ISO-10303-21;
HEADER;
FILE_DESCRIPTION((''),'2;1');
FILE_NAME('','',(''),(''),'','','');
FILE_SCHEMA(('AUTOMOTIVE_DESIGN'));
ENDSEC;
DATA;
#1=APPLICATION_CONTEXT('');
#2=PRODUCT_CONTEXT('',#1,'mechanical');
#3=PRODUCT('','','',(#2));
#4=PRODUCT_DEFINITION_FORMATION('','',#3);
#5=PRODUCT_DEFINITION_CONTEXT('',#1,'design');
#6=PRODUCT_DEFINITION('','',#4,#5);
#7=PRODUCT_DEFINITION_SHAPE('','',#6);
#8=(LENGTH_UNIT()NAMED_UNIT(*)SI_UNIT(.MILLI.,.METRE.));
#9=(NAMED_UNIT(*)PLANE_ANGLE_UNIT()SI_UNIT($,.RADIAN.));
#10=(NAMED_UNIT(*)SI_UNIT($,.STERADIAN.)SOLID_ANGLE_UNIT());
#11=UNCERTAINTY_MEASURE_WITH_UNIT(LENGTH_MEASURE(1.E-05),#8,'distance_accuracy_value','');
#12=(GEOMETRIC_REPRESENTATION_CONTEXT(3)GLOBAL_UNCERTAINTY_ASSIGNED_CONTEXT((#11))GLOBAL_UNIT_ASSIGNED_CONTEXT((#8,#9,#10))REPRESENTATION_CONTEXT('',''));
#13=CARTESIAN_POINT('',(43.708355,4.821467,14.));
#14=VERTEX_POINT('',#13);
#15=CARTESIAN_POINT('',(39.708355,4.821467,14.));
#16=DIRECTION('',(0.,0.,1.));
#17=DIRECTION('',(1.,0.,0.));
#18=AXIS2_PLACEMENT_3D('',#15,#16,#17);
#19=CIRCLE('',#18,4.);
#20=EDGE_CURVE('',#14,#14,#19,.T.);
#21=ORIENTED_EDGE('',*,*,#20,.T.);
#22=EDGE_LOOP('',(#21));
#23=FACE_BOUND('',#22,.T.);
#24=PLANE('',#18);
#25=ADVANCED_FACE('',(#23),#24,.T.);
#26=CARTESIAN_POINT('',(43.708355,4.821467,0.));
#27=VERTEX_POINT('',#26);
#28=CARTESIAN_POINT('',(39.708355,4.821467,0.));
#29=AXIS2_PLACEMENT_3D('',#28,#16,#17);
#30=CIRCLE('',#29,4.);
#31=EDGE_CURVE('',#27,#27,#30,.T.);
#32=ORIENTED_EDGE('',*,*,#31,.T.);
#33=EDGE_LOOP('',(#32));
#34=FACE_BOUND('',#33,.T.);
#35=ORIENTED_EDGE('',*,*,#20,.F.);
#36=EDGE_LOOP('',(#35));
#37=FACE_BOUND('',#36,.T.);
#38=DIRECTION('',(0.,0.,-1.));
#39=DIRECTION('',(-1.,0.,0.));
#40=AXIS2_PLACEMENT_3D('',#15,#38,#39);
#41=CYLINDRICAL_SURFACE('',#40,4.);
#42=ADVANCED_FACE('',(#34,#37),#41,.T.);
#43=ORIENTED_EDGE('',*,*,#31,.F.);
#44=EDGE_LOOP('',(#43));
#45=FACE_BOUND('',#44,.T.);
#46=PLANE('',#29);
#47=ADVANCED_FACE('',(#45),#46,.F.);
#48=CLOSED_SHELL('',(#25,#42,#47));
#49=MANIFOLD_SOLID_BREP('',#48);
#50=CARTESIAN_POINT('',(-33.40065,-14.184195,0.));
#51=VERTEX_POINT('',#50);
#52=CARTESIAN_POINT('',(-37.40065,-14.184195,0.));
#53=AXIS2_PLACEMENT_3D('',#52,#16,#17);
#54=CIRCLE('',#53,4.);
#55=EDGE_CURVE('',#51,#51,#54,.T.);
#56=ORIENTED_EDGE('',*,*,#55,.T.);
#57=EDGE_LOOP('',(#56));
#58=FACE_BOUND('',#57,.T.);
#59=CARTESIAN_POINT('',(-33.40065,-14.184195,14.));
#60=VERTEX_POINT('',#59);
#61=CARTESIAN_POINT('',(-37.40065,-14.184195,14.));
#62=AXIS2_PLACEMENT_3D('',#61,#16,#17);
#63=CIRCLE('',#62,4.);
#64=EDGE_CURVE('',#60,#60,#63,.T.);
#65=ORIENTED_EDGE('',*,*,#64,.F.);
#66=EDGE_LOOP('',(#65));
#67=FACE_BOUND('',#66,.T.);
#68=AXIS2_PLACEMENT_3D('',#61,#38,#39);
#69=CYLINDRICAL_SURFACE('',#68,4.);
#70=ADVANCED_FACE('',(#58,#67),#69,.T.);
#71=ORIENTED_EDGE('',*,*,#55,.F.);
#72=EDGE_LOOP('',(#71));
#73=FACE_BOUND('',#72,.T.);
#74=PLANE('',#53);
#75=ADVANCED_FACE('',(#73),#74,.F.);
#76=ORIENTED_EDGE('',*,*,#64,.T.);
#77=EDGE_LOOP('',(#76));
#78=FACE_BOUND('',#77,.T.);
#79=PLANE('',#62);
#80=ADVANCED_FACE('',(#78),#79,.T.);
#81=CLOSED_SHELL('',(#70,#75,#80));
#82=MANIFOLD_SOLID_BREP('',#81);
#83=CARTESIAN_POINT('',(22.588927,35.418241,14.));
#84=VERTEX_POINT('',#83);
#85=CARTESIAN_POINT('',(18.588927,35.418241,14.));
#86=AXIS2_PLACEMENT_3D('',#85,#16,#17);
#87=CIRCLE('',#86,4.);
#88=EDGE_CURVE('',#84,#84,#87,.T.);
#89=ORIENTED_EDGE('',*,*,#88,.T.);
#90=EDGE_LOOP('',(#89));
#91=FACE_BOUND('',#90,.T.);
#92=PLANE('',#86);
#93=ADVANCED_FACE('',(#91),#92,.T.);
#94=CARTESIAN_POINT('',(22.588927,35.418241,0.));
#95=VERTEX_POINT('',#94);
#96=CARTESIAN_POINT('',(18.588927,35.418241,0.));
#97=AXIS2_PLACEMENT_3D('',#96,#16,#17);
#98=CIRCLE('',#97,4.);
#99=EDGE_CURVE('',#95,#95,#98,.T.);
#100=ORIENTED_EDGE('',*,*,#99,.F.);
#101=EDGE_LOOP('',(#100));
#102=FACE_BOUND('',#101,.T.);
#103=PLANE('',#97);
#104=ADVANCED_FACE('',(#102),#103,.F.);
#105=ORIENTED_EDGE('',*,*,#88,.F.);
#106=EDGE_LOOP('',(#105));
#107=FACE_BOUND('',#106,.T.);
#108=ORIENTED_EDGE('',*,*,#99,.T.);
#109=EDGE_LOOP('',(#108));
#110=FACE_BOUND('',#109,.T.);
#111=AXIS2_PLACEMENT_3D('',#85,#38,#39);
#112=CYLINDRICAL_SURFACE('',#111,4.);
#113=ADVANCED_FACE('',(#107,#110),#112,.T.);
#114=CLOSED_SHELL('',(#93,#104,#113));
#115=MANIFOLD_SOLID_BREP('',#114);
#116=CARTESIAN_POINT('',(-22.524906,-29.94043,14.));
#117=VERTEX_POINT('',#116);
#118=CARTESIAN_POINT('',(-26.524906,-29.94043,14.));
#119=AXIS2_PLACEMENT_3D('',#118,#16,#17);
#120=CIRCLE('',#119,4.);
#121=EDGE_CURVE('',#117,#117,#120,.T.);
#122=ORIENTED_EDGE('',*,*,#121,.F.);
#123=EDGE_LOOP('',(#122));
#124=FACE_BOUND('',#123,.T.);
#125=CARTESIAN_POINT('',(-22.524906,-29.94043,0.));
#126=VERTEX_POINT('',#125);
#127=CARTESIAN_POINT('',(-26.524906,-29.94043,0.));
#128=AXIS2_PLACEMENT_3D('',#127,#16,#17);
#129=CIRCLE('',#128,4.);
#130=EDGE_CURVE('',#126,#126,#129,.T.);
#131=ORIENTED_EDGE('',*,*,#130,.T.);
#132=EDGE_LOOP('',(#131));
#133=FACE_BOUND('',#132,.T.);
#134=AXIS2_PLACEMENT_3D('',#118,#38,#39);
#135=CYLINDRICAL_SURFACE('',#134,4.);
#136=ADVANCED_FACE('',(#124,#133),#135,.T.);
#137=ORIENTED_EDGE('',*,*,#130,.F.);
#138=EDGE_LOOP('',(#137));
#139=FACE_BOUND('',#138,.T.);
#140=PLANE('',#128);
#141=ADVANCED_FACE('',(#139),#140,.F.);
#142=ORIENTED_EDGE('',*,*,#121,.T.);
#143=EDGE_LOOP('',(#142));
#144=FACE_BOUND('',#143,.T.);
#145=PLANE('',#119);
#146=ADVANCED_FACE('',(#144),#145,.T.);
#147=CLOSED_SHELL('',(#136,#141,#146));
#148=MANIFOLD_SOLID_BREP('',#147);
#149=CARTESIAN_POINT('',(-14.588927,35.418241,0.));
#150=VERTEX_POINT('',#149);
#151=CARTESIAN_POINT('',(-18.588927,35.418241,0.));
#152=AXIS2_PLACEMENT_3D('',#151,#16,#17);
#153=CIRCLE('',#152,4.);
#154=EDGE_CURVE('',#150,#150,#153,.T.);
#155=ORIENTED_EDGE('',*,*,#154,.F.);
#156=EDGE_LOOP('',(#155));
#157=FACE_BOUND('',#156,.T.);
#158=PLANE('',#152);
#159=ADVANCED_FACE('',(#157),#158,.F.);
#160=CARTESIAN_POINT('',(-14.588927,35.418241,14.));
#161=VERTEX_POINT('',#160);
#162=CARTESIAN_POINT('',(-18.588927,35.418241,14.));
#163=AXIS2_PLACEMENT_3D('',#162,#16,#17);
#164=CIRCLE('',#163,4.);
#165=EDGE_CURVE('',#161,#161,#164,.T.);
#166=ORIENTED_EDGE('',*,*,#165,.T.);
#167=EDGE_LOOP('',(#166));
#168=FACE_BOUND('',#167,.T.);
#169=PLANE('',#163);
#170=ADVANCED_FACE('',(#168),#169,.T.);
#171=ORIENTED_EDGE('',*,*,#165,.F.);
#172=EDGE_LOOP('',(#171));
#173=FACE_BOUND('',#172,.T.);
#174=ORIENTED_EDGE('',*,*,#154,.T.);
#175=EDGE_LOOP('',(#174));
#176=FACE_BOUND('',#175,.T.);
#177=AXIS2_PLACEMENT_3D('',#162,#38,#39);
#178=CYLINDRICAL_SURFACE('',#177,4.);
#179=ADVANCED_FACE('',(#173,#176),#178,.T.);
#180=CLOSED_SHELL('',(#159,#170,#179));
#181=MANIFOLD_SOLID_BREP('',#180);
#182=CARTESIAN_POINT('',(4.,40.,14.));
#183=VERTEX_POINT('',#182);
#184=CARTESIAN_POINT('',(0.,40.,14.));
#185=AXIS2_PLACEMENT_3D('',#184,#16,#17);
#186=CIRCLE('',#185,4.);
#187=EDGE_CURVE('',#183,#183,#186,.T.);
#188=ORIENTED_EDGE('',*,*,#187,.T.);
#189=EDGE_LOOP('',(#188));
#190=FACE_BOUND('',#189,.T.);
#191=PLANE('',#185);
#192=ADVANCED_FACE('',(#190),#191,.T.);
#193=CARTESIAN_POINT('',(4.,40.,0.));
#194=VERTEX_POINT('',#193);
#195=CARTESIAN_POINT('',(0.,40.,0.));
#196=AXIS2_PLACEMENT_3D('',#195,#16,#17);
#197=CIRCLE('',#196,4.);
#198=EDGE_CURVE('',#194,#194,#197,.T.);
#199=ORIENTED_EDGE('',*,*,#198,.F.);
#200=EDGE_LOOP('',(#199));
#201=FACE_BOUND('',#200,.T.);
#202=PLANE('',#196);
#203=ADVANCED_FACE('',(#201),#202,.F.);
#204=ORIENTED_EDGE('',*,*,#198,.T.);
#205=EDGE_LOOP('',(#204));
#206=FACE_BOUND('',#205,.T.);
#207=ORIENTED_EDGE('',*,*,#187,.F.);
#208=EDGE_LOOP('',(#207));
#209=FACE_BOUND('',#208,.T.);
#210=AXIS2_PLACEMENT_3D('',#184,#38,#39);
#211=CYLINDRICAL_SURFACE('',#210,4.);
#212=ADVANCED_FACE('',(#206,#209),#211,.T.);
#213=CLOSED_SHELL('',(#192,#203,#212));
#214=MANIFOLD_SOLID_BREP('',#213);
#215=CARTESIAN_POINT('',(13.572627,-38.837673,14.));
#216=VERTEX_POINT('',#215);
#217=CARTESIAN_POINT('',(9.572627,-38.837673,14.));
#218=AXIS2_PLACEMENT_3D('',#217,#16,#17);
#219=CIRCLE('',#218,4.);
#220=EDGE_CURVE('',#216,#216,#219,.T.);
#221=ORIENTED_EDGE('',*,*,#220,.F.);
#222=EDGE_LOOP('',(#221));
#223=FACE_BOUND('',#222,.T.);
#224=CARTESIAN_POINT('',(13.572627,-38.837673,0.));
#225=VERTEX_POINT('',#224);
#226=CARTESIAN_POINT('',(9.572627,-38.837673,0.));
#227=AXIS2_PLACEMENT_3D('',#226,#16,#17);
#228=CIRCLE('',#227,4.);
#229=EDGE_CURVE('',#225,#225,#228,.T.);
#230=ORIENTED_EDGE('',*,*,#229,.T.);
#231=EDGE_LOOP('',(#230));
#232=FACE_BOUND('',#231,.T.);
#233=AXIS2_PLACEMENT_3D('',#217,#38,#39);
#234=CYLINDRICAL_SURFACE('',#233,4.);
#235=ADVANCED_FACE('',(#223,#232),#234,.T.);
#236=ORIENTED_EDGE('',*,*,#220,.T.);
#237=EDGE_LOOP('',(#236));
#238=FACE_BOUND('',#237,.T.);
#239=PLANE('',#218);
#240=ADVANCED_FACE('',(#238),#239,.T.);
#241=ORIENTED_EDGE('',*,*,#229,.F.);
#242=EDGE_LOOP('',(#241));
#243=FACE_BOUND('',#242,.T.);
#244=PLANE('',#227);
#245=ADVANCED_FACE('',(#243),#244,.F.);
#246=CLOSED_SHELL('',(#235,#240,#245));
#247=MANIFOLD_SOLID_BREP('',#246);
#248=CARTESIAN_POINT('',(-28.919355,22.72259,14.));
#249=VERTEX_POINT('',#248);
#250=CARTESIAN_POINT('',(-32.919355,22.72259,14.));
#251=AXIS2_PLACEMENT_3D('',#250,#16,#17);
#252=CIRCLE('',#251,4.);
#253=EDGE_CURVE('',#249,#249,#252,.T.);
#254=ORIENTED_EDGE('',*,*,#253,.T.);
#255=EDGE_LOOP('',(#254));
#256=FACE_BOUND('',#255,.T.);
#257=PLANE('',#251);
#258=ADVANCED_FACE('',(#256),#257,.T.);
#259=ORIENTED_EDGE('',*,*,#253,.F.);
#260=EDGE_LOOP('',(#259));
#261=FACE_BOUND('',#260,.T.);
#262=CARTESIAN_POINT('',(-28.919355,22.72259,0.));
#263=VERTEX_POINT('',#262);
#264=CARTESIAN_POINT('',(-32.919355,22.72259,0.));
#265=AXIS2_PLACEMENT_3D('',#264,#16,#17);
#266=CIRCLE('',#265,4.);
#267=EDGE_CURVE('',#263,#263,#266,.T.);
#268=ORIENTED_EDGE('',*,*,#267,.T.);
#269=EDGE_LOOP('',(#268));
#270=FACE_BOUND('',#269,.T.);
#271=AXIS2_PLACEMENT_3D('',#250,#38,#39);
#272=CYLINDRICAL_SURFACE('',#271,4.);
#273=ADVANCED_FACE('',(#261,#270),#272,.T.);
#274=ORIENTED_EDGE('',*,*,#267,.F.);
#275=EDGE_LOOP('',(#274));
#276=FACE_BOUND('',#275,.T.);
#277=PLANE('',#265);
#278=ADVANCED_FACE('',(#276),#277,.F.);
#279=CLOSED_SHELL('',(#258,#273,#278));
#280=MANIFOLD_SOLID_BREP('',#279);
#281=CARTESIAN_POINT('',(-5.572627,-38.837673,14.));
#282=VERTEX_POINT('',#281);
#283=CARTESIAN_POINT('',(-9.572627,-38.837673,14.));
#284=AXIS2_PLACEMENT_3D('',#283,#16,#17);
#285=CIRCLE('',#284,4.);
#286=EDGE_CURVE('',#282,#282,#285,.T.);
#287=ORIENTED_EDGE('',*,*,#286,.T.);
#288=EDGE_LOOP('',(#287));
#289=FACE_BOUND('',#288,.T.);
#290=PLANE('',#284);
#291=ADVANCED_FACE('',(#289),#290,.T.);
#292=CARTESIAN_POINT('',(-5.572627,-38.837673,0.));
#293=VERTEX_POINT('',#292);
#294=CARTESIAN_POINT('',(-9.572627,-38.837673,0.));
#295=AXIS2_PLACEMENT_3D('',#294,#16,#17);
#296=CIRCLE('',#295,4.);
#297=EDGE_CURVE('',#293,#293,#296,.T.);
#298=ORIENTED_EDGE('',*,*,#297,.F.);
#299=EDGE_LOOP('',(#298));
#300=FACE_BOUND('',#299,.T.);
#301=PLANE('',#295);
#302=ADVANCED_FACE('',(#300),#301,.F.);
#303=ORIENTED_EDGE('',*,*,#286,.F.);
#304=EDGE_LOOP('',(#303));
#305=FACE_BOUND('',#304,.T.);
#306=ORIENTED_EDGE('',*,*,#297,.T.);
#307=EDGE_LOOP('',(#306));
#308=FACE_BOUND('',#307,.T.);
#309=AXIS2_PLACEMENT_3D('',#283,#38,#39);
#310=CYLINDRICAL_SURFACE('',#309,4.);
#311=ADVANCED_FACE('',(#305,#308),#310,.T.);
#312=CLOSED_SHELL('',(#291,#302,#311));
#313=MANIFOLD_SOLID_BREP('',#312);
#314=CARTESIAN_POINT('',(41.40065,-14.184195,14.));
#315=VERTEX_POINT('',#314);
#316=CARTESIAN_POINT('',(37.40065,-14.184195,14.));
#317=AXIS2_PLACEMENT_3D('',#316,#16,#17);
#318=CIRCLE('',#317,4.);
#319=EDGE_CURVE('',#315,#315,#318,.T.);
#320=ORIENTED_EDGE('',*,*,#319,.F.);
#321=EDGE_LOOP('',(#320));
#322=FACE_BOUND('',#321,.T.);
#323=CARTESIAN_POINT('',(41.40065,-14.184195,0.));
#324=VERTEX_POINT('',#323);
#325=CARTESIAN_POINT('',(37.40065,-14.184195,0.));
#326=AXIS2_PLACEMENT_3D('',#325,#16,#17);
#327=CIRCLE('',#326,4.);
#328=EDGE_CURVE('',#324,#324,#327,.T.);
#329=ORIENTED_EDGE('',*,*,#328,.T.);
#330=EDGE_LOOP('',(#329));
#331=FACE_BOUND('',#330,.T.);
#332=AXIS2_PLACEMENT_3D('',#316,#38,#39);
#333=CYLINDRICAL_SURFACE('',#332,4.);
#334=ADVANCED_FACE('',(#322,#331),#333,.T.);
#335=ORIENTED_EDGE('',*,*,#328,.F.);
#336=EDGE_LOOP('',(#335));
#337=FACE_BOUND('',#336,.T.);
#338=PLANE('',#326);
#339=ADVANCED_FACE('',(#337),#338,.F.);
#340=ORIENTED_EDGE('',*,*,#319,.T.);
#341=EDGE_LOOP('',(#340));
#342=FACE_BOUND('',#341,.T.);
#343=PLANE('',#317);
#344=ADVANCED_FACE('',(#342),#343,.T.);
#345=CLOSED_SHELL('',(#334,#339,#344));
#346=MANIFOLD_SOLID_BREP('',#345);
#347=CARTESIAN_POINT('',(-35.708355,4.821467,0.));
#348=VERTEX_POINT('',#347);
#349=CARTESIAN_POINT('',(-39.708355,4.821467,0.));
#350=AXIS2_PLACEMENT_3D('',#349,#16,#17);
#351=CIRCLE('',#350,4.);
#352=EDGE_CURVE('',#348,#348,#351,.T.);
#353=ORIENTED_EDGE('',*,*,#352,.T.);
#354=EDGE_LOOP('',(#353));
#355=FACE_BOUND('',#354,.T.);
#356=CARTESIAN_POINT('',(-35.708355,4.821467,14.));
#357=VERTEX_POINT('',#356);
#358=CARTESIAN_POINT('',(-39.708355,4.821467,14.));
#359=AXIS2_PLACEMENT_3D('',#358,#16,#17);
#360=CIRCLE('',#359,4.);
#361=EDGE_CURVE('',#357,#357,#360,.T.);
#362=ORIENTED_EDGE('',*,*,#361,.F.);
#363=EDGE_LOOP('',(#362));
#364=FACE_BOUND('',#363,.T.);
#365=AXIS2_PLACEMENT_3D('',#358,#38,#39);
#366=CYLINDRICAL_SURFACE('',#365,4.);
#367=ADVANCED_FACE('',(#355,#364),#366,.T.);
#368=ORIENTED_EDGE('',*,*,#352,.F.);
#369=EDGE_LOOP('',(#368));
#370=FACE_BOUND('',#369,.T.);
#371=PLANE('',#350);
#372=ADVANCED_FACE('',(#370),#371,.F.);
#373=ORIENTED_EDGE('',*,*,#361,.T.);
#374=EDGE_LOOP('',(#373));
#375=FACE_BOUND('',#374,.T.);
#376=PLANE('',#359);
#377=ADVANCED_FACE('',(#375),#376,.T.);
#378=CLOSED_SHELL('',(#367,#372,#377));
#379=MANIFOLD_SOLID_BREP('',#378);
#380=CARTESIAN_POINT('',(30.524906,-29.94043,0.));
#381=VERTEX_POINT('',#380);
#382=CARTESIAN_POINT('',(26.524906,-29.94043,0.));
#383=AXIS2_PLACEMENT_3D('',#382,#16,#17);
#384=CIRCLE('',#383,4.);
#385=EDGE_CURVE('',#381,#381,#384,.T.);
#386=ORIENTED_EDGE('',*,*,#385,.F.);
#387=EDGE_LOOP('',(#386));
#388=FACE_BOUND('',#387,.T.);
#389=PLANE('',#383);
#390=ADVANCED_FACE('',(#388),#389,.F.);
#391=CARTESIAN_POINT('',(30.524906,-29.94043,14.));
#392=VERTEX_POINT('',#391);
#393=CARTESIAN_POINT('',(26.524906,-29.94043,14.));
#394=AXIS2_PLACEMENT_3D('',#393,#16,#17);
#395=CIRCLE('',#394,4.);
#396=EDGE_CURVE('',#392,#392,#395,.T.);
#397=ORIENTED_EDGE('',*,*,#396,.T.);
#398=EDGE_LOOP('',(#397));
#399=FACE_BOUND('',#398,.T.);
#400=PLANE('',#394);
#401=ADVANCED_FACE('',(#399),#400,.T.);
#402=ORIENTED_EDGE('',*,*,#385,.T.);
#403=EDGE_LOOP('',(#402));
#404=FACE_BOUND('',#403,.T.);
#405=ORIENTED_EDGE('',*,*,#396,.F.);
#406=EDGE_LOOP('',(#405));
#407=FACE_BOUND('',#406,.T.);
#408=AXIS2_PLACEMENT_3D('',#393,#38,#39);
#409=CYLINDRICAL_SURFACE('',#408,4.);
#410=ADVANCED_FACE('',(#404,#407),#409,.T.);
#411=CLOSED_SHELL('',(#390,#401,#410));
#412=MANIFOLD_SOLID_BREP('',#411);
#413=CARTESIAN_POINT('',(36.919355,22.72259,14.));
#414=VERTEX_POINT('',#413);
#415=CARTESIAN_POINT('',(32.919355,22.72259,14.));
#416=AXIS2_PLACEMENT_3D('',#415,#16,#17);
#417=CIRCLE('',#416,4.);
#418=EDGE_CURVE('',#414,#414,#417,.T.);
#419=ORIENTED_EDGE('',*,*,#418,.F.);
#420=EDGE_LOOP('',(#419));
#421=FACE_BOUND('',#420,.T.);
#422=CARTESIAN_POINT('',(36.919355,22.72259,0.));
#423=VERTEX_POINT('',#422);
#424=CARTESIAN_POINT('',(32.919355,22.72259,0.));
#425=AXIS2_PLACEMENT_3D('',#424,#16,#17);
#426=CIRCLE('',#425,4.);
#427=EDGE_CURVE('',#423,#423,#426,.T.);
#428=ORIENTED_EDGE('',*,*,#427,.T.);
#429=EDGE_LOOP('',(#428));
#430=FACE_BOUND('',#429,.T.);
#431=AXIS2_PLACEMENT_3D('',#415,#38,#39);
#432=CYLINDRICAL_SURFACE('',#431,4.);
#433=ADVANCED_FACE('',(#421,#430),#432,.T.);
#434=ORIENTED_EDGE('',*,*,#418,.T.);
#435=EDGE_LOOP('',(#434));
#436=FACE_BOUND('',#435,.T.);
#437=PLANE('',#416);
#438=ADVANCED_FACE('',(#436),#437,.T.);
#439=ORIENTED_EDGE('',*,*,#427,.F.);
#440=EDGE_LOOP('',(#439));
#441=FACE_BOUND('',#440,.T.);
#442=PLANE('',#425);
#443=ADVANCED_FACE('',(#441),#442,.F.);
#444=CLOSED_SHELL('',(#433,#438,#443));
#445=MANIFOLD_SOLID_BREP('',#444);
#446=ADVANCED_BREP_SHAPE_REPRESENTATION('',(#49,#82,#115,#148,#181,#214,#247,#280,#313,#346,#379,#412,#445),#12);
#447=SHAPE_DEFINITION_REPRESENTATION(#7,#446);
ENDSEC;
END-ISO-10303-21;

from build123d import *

# Parameters (mm, degrees)
SKETCH1_R              = 4
BOSS_EXTRUDE1_DEPTH    = 14
BOSS_EXTRUDE1_2_DEPTH  = 14
BOSS_EXTRUDE1_3_DEPTH  = 14
BOSS_EXTRUDE1_4_DEPTH  = 14
BOSS_EXTRUDE1_5_DEPTH  = 14
BOSS_EXTRUDE1_6_DEPTH  = 14
BOSS_EXTRUDE1_7_DEPTH  = 14
BOSS_EXTRUDE1_8_DEPTH  = 14
BOSS_EXTRUDE1_9_DEPTH  = 14
BOSS_EXTRUDE1_10_DEPTH = 14
BOSS_EXTRUDE1_11_DEPTH = 14
BOSS_EXTRUDE1_12_DEPTH = 14
BOSS_EXTRUDE1_13_DEPTH = 14


with BuildPart() as part:
    # Sketch1 → Boss-Extrude1 (new body)
    with BuildSketch(Plane.XY):
        with Locations((0, 40)):
            Circle(SKETCH1_R)
    extrude(amount=BOSS_EXTRUDE1_DEPTH)


with BuildPart() as body_2:
    # Sketch1 → Boss-Extrude1 2 (new body)
    with BuildSketch(Plane.XY):
        with Locations((18.588926882, 35.418241026)):
            Circle(SKETCH1_R)
    extrude(amount=BOSS_EXTRUDE1_2_DEPTH)


with BuildPart() as body_3:
    # Sketch1 → Boss-Extrude1 3 (new body)
    with BuildSketch(Plane.XY):
        with Locations((32.919354636, 22.722589869)):
            Circle(SKETCH1_R)
    extrude(amount=BOSS_EXTRUDE1_3_DEPTH)


with BuildPart() as body_4:
    # Sketch1 → Boss-Extrude1 4 (new body)
    with BuildSketch(Plane.XY):
        with Locations((39.708354964, 4.82146721)):
            Circle(SKETCH1_R)
    extrude(amount=BOSS_EXTRUDE1_4_DEPTH)


with BuildPart() as body_5:
    # Sketch1 → Boss-Extrude1 5 (new body)
    with BuildSketch(Plane.XY):
        with Locations((37.400649707, -14.184195482)):
            Circle(SKETCH1_R)
    extrude(amount=BOSS_EXTRUDE1_5_DEPTH)


with BuildPart() as body_6:
    # Sketch1 → Boss-Extrude1 6 (new body)
    with BuildSketch(Plane.XY):
        with Locations((26.52490633, -29.940429927)):
            Circle(SKETCH1_R)
    extrude(amount=BOSS_EXTRUDE1_6_DEPTH)


with BuildPart() as body_7:
    # Sketch1 → Boss-Extrude1 7 (new body)
    with BuildSketch(Plane.XY):
        with Locations((9.572626572, -38.837672697)):
            Circle(SKETCH1_R)
    extrude(amount=BOSS_EXTRUDE1_7_DEPTH)


with BuildPart() as body_8:
    # Sketch1 → Boss-Extrude1 8 (new body)
    with BuildSketch(Plane.XY):
        with Locations((-9.572626572, -38.837672697)):
            Circle(SKETCH1_R)
    extrude(amount=BOSS_EXTRUDE1_8_DEPTH)


with BuildPart() as body_9:
    # Sketch1 → Boss-Extrude1 9 (new body)
    with BuildSketch(Plane.XY):
        with Locations((-26.52490633, -29.940429927)):
            Circle(SKETCH1_R)
    extrude(amount=BOSS_EXTRUDE1_9_DEPTH)


with BuildPart() as body_10:
    # Sketch1 → Boss-Extrude1 10 (new body)
    with BuildSketch(Plane.XY):
        with Locations((-37.400649707, -14.184195482)):
            Circle(SKETCH1_R)
    extrude(amount=BOSS_EXTRUDE1_10_DEPTH)


with BuildPart() as body_11:
    # Sketch1 → Boss-Extrude1 11 (new body)
    with BuildSketch(Plane.XY):
        with Locations((-39.708354964, 4.82146721)):
            Circle(SKETCH1_R)
    extrude(amount=BOSS_EXTRUDE1_11_DEPTH)


with BuildPart() as body_12:
    # Sketch1 → Boss-Extrude1 12 (new body)
    with BuildSketch(Plane.XY):
        with Locations((-32.919354636, 22.722589869)):
            Circle(SKETCH1_R)
    extrude(amount=BOSS_EXTRUDE1_12_DEPTH)


with BuildPart() as body_13:
    # Sketch1 → Boss-Extrude1 13 (new body)
    with BuildSketch(Plane.XY):
        with Locations((-18.588926882, 35.418241026)):
            Circle(SKETCH1_R)
    extrude(amount=BOSS_EXTRUDE1_13_DEPTH)


solid = Compound([part.part, body_2.part, body_3.part, body_4.part, body_5.part, body_6.part, body_7.part, body_8.part, body_9.part, body_10.part, body_11.part, body_12.part, body_13.part])
